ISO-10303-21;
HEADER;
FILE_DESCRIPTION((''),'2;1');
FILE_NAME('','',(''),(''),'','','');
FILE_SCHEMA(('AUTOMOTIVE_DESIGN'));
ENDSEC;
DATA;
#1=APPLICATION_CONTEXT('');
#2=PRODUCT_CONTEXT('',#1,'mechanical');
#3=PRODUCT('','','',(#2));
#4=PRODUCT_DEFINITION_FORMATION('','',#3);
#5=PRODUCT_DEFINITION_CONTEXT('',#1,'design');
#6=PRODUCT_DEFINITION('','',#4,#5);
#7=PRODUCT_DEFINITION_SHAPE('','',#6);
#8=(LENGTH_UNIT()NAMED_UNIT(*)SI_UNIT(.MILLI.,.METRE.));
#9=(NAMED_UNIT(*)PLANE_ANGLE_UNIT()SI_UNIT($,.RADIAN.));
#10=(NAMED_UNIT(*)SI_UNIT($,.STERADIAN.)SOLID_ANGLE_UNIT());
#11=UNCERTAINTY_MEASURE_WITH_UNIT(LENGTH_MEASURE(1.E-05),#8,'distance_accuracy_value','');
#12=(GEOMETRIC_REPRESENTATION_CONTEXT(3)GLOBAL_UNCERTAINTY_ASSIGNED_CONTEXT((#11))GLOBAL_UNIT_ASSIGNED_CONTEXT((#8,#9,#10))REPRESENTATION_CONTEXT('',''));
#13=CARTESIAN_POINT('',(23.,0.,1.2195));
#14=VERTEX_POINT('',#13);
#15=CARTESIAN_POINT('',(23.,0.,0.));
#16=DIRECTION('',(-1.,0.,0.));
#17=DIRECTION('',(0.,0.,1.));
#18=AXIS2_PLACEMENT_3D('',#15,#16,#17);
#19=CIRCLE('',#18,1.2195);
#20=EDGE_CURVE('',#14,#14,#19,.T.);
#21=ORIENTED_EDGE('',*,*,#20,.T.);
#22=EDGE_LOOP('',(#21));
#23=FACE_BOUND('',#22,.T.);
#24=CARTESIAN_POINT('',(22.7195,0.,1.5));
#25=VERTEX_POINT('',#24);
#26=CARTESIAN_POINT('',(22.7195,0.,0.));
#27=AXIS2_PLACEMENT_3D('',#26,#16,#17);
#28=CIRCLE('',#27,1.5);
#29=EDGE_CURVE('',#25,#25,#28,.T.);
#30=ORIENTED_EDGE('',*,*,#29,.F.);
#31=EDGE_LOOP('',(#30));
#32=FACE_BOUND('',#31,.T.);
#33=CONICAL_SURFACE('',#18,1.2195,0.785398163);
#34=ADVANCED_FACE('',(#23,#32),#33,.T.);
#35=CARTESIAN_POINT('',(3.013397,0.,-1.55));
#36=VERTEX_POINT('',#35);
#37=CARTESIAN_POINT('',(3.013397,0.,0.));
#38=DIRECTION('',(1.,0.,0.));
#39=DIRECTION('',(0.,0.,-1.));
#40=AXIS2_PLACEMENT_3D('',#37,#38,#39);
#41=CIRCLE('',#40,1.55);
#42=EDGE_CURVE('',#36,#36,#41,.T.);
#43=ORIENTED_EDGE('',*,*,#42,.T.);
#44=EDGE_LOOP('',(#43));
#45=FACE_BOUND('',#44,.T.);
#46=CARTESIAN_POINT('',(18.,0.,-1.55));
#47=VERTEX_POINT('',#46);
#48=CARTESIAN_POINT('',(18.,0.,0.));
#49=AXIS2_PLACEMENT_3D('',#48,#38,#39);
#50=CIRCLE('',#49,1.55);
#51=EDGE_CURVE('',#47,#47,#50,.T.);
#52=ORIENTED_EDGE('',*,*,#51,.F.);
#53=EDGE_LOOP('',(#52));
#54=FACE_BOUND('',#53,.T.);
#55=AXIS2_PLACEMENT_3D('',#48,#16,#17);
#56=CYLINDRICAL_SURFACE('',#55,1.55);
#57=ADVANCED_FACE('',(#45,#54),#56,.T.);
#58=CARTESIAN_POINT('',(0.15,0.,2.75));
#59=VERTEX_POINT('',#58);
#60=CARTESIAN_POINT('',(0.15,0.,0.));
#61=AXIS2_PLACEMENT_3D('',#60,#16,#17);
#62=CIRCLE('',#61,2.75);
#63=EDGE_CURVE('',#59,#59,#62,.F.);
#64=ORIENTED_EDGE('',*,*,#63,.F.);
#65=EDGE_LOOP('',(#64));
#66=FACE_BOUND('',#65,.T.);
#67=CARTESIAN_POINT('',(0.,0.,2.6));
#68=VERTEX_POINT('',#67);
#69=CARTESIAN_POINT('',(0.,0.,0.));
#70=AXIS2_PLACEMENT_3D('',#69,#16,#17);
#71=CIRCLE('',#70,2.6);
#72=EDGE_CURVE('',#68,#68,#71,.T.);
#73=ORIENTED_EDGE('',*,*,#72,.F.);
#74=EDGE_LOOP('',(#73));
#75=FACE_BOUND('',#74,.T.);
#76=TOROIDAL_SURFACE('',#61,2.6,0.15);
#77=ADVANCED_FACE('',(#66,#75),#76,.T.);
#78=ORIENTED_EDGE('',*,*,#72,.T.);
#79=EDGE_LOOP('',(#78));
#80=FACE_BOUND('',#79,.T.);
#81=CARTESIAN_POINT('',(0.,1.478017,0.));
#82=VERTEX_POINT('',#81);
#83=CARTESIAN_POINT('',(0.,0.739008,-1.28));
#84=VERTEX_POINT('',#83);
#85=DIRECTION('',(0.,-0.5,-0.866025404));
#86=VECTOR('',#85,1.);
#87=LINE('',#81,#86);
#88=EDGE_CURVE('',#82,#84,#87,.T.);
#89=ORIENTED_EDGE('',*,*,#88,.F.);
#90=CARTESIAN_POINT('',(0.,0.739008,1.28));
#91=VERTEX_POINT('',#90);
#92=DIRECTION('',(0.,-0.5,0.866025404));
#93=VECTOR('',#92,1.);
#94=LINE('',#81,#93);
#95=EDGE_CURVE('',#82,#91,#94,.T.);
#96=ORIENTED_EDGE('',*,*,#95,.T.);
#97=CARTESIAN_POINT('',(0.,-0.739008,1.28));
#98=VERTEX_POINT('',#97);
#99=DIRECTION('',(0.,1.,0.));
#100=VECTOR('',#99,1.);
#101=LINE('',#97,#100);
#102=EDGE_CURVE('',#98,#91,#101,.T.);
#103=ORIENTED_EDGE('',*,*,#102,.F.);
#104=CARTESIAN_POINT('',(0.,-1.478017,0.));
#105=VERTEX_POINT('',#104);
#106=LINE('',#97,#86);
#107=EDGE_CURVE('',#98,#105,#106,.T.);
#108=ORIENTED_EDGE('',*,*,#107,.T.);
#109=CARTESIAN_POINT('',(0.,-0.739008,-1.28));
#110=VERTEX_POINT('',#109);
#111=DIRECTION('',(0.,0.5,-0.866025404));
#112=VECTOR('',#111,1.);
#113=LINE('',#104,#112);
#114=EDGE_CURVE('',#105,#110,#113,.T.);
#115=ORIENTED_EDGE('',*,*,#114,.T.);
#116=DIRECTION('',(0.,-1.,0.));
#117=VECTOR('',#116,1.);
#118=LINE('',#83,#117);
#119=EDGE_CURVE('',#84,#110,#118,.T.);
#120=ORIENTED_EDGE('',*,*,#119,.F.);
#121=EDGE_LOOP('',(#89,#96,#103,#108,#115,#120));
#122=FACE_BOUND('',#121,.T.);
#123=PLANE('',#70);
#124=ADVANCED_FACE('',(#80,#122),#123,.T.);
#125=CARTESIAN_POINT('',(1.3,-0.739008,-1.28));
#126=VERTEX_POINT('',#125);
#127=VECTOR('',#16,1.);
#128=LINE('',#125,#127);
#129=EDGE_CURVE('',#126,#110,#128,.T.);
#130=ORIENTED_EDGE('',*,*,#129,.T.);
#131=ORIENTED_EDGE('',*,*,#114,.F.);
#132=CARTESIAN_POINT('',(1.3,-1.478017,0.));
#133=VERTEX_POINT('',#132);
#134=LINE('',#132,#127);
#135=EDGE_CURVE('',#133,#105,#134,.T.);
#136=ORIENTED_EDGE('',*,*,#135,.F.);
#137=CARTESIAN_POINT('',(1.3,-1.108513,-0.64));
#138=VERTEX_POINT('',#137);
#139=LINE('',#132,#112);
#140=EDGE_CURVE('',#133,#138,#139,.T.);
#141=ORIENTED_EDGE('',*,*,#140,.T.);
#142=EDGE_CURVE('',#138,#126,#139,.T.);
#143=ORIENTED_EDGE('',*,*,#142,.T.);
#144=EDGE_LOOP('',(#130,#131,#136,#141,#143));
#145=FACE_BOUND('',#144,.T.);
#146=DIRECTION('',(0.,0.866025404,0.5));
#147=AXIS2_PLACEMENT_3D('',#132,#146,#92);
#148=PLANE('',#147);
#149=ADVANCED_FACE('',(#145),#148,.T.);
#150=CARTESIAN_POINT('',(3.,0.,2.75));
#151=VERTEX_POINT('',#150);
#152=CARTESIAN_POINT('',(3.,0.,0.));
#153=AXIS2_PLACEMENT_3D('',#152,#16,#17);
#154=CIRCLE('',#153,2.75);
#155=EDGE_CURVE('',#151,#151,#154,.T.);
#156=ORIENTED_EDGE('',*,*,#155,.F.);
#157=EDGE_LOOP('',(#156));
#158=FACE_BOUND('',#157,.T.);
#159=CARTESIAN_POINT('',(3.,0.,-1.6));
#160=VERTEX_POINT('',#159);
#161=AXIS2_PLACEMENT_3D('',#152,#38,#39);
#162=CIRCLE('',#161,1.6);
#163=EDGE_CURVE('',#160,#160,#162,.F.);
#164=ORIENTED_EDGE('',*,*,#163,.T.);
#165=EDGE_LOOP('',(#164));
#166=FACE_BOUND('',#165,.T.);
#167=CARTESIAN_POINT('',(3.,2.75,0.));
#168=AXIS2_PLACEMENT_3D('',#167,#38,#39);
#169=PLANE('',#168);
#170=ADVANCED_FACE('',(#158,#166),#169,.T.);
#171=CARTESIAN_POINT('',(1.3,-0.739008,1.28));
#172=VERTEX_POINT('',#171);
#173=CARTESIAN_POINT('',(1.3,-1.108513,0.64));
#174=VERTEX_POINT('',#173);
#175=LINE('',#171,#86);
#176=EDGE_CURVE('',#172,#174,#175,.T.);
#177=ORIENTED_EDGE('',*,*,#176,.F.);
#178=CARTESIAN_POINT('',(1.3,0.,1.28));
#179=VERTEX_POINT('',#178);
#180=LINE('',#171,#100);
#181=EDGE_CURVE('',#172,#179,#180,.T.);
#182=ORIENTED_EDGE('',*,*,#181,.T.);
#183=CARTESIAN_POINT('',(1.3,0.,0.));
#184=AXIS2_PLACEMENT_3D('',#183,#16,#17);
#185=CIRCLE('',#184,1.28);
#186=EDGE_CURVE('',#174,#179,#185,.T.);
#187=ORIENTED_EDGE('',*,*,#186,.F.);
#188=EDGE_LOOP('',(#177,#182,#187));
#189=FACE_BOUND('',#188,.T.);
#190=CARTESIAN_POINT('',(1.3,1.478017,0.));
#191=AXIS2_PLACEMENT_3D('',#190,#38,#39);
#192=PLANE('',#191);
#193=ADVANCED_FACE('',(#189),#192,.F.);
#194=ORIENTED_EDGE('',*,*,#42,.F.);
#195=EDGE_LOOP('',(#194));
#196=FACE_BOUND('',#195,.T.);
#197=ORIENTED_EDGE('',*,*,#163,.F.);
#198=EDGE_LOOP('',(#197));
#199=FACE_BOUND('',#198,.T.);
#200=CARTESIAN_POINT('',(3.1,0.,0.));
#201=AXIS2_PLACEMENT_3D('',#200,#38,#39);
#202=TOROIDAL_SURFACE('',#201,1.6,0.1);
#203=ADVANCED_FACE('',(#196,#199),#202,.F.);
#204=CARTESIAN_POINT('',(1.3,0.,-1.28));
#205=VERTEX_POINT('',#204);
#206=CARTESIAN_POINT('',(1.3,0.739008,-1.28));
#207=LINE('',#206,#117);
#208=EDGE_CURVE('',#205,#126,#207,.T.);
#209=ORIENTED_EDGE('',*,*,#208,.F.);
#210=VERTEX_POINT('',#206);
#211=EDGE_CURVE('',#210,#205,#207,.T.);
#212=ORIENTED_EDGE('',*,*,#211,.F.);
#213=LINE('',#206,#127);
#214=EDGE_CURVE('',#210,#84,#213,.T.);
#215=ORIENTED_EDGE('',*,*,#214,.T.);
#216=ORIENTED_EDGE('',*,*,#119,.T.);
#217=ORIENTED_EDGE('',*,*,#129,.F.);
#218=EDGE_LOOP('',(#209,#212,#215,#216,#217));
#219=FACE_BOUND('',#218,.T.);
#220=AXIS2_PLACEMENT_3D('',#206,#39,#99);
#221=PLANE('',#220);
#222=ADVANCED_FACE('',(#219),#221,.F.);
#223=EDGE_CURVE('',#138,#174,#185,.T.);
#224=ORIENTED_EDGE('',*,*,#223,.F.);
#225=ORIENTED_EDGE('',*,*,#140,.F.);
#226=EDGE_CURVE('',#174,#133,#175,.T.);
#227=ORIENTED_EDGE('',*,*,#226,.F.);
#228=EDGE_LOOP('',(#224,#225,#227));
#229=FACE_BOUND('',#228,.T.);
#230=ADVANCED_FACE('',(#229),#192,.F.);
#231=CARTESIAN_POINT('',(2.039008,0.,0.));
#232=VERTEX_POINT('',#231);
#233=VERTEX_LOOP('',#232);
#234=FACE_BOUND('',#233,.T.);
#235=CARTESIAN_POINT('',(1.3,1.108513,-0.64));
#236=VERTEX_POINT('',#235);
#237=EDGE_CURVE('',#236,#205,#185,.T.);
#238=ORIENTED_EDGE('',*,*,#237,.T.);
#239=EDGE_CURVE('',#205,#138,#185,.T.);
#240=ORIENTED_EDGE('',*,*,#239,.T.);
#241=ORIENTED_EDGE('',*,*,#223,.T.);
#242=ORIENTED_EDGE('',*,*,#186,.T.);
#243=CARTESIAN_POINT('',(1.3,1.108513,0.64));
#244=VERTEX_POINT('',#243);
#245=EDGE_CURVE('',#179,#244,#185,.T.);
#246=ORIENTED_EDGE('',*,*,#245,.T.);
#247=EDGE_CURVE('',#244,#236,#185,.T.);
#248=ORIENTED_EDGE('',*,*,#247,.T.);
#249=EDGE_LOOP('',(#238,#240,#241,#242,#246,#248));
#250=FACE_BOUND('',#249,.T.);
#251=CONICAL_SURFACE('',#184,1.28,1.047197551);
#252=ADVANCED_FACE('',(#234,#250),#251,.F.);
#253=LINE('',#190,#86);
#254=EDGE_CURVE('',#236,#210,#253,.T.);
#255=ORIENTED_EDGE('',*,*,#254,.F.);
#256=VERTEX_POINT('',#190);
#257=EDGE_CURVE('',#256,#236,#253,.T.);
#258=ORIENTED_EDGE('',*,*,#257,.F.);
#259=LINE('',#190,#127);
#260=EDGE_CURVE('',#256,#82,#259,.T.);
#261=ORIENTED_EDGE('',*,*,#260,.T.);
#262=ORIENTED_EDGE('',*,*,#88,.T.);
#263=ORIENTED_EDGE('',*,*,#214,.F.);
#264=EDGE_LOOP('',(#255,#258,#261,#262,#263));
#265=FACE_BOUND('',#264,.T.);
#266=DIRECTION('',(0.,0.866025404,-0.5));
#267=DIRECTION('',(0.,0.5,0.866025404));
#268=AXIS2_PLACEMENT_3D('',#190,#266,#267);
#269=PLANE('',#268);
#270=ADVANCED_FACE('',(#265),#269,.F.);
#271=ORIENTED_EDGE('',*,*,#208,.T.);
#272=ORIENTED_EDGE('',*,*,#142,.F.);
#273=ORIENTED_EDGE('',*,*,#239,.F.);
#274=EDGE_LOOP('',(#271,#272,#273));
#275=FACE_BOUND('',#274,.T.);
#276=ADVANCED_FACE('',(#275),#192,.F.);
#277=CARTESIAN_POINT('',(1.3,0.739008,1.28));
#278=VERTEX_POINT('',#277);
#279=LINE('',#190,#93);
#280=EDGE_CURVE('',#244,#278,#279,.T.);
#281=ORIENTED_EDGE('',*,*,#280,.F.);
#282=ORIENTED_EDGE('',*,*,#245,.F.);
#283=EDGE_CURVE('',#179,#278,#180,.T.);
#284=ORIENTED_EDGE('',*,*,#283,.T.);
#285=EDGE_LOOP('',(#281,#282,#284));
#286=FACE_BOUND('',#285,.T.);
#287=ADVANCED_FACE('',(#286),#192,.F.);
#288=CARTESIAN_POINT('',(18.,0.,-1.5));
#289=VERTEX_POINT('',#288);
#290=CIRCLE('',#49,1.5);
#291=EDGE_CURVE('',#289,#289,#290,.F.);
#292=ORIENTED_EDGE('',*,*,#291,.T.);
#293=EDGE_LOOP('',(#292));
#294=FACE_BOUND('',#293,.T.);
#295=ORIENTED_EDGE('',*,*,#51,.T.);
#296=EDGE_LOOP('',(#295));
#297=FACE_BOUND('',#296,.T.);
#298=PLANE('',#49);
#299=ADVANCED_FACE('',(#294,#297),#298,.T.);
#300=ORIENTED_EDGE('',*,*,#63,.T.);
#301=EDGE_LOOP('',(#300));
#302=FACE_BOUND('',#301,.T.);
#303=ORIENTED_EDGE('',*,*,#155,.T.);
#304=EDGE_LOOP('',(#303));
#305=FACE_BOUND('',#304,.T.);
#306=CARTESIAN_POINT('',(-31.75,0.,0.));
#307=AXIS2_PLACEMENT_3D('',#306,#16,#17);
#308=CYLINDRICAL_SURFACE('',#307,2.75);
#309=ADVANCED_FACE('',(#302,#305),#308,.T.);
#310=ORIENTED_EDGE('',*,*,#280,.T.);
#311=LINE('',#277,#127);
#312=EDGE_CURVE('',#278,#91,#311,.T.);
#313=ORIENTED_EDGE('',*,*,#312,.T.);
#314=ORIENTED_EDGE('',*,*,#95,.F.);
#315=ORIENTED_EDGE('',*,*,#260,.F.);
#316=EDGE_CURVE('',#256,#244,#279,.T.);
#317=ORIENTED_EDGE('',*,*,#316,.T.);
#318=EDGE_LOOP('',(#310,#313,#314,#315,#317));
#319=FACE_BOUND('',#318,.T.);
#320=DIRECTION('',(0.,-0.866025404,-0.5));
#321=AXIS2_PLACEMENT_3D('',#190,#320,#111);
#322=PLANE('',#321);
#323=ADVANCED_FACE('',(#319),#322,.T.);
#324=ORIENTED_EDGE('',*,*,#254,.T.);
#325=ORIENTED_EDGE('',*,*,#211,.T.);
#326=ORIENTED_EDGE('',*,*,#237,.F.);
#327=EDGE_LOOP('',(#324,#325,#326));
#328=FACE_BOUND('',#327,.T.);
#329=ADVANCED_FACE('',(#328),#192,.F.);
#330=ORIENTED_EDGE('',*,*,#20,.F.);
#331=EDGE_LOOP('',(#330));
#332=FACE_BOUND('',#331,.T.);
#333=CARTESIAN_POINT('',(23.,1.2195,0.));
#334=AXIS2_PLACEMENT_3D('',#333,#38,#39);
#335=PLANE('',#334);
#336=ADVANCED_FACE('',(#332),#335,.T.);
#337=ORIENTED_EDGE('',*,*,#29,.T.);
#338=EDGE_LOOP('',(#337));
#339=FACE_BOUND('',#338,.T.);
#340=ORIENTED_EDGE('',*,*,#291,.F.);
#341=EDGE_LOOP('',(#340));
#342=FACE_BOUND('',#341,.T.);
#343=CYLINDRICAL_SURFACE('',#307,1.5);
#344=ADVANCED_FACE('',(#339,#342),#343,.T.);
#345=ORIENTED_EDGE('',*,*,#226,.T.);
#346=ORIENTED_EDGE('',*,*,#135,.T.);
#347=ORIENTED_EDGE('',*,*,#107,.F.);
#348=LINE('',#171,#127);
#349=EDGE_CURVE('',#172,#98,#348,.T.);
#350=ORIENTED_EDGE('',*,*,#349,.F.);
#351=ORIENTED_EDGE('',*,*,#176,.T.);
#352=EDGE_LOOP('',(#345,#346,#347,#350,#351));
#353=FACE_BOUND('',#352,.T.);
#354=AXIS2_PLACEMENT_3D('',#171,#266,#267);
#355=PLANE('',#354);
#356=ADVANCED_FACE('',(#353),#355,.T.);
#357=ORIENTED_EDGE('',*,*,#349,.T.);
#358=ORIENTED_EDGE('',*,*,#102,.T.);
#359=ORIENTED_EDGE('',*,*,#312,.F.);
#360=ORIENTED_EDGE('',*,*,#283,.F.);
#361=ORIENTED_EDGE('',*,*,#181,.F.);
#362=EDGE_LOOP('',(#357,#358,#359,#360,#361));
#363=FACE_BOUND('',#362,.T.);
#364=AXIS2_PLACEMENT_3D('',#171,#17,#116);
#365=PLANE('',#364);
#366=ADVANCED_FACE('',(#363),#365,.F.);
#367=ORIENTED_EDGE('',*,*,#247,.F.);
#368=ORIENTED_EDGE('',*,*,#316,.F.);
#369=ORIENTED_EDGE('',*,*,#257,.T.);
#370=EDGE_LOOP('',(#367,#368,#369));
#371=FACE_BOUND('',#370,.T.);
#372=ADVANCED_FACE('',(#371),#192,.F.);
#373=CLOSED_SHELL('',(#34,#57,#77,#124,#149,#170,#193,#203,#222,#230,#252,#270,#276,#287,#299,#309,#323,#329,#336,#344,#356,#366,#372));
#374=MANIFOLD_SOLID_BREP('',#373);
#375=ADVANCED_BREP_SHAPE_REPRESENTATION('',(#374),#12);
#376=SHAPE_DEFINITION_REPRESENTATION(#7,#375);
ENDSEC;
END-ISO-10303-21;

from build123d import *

# Parameters (mm, degrees)
FILLET1_R           = 0.1
FILLET2_R           = 0.15
HEX_2_DEPTH         = 1.3
SKETCH4_R           = 1.55
BOSS_EXTRUDE1_DEPTH = 15


with BuildPart() as part:
    # BodySke → Base-Revolve (revolve)
    with BuildSketch(Plane.XY):
        Polygon((0, 0), (0, 2.75), (3, 2.75), (3, 1.5), (22.7195, 1.5), (23, 1.2195), (23, 0), align=None)
    revolve(axis=Axis((-31.75, 0, 0), (1, 0, 0)))

    # Fillet1
    fillet1_edges = [part.edges().sort_by_distance(p)[0] for p in [
        (3, -1.5, 0),
    ]]
    fillet(fillet1_edges, radius=FILLET1_R)

    # Fillet2
    fillet2_edges = [part.edges().sort_by_distance(p)[0] for p in [
        (0, -2.75, 0),
    ]]
    fillet(fillet2_edges, radius=FILLET2_R)

    # Sketch2 → Hex-PreBroach (revolve, cut)
    with BuildSketch(Plane.XY):
        Polygon((0, 1.28), (1.3, 1.28), (2.039008345, 0), (0, 0), align=None)
    revolve(axis=Axis((0, 0, 0), (1, 0, 0)), mode=Mode.SUBTRACT)

    # Sketch3 → Hex 2 (cut)
    with BuildSketch(Plane(origin=(0, 0, 0), x_dir=(0, 0.5, 0.866025404), z_dir=(-1, 0, 0))):
        Polygon((0.739008345, 1.28), (-0.739008345, 1.28), (-1.478016689, 0), (-0.739008345, -1.28), (0.739008345, -1.28), (1.478016689, 0), align=None)
    extrude(amount=-HEX_2_DEPTH, mode=Mode.SUBTRACT)

    # Sketch4 → Boss-Extrude1 (add)
    with BuildSketch(Plane(origin=(3, 0, 0), x_dir=(0, 0, -1), z_dir=(1, 0, 0))):
        Circle(SKETCH4_R)
    extrude(amount=BOSS_EXTRUDE1_DEPTH)


solid = part.part
